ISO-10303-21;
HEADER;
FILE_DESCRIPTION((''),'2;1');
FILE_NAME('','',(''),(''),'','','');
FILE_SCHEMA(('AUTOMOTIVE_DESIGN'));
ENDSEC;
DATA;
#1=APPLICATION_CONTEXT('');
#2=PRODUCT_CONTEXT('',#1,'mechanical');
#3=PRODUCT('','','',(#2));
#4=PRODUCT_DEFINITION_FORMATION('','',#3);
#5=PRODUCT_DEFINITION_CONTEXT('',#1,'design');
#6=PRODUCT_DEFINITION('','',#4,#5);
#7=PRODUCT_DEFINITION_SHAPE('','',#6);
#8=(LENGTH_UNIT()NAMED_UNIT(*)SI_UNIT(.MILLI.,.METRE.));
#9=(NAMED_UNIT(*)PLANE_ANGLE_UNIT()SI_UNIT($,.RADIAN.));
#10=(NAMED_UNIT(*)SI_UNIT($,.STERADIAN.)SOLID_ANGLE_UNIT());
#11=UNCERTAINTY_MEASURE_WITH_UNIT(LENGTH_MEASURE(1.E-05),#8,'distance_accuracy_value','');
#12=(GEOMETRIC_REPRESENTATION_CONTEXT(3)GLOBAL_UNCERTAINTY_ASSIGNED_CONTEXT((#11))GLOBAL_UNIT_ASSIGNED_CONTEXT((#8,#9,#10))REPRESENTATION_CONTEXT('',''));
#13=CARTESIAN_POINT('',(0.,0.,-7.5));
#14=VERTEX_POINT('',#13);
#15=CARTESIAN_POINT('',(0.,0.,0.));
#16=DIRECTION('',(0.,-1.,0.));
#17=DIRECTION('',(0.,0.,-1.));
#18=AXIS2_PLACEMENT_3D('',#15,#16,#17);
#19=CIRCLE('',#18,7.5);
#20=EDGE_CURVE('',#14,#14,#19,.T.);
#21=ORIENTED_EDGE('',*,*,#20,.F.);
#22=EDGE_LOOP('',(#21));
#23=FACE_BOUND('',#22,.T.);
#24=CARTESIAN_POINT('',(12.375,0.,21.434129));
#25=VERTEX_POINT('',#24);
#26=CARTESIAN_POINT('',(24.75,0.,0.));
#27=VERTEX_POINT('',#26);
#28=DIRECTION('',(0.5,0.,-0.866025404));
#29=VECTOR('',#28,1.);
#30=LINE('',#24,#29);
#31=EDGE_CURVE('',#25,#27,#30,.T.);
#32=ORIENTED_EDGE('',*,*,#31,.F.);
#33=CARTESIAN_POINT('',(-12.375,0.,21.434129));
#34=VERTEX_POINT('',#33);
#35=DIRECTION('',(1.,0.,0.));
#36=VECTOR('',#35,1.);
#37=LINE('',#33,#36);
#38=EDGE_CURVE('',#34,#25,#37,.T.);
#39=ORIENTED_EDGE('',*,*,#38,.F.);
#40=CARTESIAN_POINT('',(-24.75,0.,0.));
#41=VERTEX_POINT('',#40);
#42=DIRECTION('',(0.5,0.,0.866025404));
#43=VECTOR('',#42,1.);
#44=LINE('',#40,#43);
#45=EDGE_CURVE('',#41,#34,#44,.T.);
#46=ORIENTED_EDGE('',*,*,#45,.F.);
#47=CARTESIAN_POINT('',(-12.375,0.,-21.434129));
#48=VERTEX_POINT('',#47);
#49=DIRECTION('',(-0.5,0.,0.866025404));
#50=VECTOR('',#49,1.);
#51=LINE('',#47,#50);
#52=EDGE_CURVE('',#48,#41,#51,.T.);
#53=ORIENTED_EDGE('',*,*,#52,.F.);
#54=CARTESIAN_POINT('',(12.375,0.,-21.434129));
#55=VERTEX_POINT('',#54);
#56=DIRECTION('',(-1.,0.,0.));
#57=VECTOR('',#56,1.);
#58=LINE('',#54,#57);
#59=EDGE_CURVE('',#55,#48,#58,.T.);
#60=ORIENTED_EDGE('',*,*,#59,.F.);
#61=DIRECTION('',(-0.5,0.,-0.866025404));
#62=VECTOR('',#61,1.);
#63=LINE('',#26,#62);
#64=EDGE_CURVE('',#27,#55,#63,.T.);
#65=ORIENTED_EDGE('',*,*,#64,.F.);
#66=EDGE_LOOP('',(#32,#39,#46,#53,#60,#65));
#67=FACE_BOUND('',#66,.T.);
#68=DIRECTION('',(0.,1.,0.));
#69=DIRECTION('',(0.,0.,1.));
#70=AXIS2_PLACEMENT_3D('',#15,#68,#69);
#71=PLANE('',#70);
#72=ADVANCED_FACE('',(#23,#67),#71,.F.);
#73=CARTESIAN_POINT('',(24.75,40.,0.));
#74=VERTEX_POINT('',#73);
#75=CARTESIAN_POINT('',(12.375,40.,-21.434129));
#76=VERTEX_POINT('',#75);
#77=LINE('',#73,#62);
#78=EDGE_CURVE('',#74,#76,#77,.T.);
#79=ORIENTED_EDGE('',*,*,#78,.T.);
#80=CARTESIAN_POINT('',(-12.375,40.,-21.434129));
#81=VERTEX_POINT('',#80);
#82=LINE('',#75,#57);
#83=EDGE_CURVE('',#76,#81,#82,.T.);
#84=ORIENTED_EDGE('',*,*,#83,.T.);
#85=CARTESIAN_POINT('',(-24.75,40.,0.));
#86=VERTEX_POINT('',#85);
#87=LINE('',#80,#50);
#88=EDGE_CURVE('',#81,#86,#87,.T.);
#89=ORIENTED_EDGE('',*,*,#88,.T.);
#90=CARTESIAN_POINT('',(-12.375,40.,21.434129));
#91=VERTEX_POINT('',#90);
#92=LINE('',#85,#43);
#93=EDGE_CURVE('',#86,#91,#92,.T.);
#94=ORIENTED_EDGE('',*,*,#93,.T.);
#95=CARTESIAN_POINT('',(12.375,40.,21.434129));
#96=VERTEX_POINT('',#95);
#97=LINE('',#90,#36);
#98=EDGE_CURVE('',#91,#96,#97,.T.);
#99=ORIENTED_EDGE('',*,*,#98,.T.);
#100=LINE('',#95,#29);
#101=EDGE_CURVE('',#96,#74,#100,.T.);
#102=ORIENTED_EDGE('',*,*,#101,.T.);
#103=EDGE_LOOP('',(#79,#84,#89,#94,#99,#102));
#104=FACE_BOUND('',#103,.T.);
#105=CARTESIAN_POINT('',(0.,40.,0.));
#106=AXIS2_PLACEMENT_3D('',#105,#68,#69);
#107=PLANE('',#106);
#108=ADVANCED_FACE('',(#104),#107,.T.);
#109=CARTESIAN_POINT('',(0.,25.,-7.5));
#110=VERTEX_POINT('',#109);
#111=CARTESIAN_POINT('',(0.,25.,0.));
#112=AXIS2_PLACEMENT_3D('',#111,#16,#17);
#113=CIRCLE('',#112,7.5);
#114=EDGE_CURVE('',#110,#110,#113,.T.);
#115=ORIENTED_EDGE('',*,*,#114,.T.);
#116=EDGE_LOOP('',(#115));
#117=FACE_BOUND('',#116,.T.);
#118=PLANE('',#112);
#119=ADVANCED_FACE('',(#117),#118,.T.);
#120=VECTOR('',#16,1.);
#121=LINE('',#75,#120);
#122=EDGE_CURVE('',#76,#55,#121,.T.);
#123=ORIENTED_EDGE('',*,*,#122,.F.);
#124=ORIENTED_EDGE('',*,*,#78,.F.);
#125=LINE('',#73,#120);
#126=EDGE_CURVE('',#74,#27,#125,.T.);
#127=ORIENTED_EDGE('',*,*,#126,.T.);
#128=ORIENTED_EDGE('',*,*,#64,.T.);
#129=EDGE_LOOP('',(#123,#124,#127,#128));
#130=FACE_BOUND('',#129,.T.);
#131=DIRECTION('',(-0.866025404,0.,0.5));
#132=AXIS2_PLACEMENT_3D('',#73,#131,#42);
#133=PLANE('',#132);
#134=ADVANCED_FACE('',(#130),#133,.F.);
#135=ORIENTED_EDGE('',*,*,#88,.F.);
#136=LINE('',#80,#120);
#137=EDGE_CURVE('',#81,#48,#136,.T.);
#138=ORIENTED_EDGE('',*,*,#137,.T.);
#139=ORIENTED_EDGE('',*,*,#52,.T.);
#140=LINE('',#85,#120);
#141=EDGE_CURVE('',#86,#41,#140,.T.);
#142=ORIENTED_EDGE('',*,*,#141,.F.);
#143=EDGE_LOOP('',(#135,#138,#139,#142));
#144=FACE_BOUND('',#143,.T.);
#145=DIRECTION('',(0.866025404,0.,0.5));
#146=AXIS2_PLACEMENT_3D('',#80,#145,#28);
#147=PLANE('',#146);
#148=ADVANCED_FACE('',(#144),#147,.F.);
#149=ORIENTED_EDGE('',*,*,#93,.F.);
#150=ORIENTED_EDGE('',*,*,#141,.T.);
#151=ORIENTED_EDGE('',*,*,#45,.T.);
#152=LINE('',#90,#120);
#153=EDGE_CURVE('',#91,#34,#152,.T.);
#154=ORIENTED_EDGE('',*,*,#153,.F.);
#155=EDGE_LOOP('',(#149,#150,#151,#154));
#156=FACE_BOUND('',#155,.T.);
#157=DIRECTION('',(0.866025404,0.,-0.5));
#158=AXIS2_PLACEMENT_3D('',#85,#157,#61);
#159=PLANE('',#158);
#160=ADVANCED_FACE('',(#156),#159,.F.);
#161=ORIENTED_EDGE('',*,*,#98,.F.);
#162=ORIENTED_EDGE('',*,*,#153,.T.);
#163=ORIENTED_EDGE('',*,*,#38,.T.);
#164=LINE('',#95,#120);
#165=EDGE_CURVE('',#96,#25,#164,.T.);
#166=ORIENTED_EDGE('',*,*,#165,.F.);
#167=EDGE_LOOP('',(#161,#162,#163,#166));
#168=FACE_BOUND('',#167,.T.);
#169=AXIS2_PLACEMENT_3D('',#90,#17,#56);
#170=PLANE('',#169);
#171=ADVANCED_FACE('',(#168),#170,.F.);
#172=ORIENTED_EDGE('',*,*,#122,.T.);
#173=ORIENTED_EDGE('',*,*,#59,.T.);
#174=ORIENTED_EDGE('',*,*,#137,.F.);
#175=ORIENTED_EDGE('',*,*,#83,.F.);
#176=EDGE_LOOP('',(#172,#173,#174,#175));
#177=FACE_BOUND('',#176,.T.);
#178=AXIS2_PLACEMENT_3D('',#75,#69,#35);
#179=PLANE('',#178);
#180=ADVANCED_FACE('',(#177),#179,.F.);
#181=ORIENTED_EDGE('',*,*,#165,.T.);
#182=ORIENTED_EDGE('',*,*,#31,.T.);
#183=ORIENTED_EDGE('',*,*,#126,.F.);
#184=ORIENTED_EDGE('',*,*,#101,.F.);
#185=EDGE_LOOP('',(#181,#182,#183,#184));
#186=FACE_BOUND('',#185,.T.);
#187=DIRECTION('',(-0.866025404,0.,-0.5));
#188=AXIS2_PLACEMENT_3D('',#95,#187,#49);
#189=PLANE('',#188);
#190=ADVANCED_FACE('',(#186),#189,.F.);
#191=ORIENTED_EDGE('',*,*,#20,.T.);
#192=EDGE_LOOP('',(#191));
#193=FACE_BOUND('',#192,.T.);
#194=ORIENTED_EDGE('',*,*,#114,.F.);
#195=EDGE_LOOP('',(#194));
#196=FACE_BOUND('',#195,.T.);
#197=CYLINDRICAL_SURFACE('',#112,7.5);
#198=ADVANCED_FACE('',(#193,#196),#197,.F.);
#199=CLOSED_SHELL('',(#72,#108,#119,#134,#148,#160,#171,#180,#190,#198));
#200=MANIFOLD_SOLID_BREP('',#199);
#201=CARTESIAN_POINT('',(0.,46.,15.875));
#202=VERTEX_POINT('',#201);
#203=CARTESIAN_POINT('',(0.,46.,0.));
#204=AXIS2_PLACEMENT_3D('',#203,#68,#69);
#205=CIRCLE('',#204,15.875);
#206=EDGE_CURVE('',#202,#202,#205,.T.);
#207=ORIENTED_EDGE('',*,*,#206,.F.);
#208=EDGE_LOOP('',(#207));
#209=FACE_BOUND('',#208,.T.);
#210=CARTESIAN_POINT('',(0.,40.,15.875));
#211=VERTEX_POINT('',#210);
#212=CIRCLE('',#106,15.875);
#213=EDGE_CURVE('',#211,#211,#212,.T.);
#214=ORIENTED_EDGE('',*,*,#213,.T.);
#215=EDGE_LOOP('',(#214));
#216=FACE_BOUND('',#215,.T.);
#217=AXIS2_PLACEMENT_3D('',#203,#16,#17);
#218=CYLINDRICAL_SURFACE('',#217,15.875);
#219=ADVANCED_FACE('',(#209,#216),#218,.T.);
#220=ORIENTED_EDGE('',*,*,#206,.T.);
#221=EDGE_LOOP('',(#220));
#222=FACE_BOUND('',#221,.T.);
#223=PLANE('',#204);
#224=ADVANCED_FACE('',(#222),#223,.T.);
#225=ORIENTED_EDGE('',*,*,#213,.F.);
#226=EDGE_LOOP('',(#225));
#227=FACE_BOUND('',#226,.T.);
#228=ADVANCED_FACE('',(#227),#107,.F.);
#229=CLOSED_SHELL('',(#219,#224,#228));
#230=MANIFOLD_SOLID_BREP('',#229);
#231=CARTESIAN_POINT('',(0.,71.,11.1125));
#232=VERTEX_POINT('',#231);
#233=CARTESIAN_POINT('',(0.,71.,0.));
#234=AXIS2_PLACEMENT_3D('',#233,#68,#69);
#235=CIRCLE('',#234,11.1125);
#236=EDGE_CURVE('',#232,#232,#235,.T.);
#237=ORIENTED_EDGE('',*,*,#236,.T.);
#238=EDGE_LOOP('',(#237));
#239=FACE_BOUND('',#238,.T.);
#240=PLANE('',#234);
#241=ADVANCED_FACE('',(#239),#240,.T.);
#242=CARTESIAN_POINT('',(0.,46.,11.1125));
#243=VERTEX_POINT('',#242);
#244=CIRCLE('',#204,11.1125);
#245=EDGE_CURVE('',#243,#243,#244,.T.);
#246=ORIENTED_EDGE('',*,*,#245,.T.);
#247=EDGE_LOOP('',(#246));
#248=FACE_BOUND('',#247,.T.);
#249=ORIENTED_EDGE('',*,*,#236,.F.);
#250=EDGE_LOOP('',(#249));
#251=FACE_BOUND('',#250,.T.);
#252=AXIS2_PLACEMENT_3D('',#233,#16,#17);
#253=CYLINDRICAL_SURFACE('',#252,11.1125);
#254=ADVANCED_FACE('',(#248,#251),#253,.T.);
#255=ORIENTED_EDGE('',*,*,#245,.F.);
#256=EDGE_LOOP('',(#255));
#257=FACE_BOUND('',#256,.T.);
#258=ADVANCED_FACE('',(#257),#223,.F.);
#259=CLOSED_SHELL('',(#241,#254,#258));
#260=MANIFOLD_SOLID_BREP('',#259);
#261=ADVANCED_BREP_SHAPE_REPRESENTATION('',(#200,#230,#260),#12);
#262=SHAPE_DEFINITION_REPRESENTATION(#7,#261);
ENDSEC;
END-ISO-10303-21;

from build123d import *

# Parameters (mm, degrees)
BOSS_EXTRUDE1_DEPTH = 40
SKETCH2_R           = 15.875
BOSS_EXTRUDE2_DEPTH = 6
SKETCH3_R           = 11.1125
BOSS_EXTRUDE3_DEPTH = 25
SKETCH4_R           = 7.5
CUT_EXTRUDE1_DEPTH  = 25


with BuildPart() as part:
    # Sketch1 → Boss-Extrude1 (new body)
    with BuildSketch(Plane(origin=(0, 0, 0), x_dir=(1, 0, 0), z_dir=(0, 1, 0))):
        Polygon((24.75, 0), (12.375, 21.434128744), (-12.375, 21.434128744), (-24.75, 0), (-12.375, -21.434128744), (12.375, -21.434128744), align=None)
    extrude(amount=BOSS_EXTRUDE1_DEPTH)

    # Sketch4 → Cut-Extrude1 (cut)
    with BuildSketch(Plane.XZ):
        Circle(SKETCH4_R)
    extrude(amount=-CUT_EXTRUDE1_DEPTH, mode=Mode.SUBTRACT)


with BuildPart() as body_2:
    # Sketch2 → Boss-Extrude2 (new body)
    with BuildSketch(Plane(origin=(0, 40, 0), x_dir=(1, 0, 0), z_dir=(0, 1, 0))):
        Circle(SKETCH2_R)
    extrude(amount=BOSS_EXTRUDE2_DEPTH)


with BuildPart() as body_3:
    # Sketch3 → Boss-Extrude3 (new body)
    with BuildSketch(Plane(origin=(0, 46, 0), x_dir=(1, 0, 0), z_dir=(0, 1, 0))):
        Circle(SKETCH3_R)
    extrude(amount=BOSS_EXTRUDE3_DEPTH)


solid = Compound([part.part, body_2.part, body_3.part])
